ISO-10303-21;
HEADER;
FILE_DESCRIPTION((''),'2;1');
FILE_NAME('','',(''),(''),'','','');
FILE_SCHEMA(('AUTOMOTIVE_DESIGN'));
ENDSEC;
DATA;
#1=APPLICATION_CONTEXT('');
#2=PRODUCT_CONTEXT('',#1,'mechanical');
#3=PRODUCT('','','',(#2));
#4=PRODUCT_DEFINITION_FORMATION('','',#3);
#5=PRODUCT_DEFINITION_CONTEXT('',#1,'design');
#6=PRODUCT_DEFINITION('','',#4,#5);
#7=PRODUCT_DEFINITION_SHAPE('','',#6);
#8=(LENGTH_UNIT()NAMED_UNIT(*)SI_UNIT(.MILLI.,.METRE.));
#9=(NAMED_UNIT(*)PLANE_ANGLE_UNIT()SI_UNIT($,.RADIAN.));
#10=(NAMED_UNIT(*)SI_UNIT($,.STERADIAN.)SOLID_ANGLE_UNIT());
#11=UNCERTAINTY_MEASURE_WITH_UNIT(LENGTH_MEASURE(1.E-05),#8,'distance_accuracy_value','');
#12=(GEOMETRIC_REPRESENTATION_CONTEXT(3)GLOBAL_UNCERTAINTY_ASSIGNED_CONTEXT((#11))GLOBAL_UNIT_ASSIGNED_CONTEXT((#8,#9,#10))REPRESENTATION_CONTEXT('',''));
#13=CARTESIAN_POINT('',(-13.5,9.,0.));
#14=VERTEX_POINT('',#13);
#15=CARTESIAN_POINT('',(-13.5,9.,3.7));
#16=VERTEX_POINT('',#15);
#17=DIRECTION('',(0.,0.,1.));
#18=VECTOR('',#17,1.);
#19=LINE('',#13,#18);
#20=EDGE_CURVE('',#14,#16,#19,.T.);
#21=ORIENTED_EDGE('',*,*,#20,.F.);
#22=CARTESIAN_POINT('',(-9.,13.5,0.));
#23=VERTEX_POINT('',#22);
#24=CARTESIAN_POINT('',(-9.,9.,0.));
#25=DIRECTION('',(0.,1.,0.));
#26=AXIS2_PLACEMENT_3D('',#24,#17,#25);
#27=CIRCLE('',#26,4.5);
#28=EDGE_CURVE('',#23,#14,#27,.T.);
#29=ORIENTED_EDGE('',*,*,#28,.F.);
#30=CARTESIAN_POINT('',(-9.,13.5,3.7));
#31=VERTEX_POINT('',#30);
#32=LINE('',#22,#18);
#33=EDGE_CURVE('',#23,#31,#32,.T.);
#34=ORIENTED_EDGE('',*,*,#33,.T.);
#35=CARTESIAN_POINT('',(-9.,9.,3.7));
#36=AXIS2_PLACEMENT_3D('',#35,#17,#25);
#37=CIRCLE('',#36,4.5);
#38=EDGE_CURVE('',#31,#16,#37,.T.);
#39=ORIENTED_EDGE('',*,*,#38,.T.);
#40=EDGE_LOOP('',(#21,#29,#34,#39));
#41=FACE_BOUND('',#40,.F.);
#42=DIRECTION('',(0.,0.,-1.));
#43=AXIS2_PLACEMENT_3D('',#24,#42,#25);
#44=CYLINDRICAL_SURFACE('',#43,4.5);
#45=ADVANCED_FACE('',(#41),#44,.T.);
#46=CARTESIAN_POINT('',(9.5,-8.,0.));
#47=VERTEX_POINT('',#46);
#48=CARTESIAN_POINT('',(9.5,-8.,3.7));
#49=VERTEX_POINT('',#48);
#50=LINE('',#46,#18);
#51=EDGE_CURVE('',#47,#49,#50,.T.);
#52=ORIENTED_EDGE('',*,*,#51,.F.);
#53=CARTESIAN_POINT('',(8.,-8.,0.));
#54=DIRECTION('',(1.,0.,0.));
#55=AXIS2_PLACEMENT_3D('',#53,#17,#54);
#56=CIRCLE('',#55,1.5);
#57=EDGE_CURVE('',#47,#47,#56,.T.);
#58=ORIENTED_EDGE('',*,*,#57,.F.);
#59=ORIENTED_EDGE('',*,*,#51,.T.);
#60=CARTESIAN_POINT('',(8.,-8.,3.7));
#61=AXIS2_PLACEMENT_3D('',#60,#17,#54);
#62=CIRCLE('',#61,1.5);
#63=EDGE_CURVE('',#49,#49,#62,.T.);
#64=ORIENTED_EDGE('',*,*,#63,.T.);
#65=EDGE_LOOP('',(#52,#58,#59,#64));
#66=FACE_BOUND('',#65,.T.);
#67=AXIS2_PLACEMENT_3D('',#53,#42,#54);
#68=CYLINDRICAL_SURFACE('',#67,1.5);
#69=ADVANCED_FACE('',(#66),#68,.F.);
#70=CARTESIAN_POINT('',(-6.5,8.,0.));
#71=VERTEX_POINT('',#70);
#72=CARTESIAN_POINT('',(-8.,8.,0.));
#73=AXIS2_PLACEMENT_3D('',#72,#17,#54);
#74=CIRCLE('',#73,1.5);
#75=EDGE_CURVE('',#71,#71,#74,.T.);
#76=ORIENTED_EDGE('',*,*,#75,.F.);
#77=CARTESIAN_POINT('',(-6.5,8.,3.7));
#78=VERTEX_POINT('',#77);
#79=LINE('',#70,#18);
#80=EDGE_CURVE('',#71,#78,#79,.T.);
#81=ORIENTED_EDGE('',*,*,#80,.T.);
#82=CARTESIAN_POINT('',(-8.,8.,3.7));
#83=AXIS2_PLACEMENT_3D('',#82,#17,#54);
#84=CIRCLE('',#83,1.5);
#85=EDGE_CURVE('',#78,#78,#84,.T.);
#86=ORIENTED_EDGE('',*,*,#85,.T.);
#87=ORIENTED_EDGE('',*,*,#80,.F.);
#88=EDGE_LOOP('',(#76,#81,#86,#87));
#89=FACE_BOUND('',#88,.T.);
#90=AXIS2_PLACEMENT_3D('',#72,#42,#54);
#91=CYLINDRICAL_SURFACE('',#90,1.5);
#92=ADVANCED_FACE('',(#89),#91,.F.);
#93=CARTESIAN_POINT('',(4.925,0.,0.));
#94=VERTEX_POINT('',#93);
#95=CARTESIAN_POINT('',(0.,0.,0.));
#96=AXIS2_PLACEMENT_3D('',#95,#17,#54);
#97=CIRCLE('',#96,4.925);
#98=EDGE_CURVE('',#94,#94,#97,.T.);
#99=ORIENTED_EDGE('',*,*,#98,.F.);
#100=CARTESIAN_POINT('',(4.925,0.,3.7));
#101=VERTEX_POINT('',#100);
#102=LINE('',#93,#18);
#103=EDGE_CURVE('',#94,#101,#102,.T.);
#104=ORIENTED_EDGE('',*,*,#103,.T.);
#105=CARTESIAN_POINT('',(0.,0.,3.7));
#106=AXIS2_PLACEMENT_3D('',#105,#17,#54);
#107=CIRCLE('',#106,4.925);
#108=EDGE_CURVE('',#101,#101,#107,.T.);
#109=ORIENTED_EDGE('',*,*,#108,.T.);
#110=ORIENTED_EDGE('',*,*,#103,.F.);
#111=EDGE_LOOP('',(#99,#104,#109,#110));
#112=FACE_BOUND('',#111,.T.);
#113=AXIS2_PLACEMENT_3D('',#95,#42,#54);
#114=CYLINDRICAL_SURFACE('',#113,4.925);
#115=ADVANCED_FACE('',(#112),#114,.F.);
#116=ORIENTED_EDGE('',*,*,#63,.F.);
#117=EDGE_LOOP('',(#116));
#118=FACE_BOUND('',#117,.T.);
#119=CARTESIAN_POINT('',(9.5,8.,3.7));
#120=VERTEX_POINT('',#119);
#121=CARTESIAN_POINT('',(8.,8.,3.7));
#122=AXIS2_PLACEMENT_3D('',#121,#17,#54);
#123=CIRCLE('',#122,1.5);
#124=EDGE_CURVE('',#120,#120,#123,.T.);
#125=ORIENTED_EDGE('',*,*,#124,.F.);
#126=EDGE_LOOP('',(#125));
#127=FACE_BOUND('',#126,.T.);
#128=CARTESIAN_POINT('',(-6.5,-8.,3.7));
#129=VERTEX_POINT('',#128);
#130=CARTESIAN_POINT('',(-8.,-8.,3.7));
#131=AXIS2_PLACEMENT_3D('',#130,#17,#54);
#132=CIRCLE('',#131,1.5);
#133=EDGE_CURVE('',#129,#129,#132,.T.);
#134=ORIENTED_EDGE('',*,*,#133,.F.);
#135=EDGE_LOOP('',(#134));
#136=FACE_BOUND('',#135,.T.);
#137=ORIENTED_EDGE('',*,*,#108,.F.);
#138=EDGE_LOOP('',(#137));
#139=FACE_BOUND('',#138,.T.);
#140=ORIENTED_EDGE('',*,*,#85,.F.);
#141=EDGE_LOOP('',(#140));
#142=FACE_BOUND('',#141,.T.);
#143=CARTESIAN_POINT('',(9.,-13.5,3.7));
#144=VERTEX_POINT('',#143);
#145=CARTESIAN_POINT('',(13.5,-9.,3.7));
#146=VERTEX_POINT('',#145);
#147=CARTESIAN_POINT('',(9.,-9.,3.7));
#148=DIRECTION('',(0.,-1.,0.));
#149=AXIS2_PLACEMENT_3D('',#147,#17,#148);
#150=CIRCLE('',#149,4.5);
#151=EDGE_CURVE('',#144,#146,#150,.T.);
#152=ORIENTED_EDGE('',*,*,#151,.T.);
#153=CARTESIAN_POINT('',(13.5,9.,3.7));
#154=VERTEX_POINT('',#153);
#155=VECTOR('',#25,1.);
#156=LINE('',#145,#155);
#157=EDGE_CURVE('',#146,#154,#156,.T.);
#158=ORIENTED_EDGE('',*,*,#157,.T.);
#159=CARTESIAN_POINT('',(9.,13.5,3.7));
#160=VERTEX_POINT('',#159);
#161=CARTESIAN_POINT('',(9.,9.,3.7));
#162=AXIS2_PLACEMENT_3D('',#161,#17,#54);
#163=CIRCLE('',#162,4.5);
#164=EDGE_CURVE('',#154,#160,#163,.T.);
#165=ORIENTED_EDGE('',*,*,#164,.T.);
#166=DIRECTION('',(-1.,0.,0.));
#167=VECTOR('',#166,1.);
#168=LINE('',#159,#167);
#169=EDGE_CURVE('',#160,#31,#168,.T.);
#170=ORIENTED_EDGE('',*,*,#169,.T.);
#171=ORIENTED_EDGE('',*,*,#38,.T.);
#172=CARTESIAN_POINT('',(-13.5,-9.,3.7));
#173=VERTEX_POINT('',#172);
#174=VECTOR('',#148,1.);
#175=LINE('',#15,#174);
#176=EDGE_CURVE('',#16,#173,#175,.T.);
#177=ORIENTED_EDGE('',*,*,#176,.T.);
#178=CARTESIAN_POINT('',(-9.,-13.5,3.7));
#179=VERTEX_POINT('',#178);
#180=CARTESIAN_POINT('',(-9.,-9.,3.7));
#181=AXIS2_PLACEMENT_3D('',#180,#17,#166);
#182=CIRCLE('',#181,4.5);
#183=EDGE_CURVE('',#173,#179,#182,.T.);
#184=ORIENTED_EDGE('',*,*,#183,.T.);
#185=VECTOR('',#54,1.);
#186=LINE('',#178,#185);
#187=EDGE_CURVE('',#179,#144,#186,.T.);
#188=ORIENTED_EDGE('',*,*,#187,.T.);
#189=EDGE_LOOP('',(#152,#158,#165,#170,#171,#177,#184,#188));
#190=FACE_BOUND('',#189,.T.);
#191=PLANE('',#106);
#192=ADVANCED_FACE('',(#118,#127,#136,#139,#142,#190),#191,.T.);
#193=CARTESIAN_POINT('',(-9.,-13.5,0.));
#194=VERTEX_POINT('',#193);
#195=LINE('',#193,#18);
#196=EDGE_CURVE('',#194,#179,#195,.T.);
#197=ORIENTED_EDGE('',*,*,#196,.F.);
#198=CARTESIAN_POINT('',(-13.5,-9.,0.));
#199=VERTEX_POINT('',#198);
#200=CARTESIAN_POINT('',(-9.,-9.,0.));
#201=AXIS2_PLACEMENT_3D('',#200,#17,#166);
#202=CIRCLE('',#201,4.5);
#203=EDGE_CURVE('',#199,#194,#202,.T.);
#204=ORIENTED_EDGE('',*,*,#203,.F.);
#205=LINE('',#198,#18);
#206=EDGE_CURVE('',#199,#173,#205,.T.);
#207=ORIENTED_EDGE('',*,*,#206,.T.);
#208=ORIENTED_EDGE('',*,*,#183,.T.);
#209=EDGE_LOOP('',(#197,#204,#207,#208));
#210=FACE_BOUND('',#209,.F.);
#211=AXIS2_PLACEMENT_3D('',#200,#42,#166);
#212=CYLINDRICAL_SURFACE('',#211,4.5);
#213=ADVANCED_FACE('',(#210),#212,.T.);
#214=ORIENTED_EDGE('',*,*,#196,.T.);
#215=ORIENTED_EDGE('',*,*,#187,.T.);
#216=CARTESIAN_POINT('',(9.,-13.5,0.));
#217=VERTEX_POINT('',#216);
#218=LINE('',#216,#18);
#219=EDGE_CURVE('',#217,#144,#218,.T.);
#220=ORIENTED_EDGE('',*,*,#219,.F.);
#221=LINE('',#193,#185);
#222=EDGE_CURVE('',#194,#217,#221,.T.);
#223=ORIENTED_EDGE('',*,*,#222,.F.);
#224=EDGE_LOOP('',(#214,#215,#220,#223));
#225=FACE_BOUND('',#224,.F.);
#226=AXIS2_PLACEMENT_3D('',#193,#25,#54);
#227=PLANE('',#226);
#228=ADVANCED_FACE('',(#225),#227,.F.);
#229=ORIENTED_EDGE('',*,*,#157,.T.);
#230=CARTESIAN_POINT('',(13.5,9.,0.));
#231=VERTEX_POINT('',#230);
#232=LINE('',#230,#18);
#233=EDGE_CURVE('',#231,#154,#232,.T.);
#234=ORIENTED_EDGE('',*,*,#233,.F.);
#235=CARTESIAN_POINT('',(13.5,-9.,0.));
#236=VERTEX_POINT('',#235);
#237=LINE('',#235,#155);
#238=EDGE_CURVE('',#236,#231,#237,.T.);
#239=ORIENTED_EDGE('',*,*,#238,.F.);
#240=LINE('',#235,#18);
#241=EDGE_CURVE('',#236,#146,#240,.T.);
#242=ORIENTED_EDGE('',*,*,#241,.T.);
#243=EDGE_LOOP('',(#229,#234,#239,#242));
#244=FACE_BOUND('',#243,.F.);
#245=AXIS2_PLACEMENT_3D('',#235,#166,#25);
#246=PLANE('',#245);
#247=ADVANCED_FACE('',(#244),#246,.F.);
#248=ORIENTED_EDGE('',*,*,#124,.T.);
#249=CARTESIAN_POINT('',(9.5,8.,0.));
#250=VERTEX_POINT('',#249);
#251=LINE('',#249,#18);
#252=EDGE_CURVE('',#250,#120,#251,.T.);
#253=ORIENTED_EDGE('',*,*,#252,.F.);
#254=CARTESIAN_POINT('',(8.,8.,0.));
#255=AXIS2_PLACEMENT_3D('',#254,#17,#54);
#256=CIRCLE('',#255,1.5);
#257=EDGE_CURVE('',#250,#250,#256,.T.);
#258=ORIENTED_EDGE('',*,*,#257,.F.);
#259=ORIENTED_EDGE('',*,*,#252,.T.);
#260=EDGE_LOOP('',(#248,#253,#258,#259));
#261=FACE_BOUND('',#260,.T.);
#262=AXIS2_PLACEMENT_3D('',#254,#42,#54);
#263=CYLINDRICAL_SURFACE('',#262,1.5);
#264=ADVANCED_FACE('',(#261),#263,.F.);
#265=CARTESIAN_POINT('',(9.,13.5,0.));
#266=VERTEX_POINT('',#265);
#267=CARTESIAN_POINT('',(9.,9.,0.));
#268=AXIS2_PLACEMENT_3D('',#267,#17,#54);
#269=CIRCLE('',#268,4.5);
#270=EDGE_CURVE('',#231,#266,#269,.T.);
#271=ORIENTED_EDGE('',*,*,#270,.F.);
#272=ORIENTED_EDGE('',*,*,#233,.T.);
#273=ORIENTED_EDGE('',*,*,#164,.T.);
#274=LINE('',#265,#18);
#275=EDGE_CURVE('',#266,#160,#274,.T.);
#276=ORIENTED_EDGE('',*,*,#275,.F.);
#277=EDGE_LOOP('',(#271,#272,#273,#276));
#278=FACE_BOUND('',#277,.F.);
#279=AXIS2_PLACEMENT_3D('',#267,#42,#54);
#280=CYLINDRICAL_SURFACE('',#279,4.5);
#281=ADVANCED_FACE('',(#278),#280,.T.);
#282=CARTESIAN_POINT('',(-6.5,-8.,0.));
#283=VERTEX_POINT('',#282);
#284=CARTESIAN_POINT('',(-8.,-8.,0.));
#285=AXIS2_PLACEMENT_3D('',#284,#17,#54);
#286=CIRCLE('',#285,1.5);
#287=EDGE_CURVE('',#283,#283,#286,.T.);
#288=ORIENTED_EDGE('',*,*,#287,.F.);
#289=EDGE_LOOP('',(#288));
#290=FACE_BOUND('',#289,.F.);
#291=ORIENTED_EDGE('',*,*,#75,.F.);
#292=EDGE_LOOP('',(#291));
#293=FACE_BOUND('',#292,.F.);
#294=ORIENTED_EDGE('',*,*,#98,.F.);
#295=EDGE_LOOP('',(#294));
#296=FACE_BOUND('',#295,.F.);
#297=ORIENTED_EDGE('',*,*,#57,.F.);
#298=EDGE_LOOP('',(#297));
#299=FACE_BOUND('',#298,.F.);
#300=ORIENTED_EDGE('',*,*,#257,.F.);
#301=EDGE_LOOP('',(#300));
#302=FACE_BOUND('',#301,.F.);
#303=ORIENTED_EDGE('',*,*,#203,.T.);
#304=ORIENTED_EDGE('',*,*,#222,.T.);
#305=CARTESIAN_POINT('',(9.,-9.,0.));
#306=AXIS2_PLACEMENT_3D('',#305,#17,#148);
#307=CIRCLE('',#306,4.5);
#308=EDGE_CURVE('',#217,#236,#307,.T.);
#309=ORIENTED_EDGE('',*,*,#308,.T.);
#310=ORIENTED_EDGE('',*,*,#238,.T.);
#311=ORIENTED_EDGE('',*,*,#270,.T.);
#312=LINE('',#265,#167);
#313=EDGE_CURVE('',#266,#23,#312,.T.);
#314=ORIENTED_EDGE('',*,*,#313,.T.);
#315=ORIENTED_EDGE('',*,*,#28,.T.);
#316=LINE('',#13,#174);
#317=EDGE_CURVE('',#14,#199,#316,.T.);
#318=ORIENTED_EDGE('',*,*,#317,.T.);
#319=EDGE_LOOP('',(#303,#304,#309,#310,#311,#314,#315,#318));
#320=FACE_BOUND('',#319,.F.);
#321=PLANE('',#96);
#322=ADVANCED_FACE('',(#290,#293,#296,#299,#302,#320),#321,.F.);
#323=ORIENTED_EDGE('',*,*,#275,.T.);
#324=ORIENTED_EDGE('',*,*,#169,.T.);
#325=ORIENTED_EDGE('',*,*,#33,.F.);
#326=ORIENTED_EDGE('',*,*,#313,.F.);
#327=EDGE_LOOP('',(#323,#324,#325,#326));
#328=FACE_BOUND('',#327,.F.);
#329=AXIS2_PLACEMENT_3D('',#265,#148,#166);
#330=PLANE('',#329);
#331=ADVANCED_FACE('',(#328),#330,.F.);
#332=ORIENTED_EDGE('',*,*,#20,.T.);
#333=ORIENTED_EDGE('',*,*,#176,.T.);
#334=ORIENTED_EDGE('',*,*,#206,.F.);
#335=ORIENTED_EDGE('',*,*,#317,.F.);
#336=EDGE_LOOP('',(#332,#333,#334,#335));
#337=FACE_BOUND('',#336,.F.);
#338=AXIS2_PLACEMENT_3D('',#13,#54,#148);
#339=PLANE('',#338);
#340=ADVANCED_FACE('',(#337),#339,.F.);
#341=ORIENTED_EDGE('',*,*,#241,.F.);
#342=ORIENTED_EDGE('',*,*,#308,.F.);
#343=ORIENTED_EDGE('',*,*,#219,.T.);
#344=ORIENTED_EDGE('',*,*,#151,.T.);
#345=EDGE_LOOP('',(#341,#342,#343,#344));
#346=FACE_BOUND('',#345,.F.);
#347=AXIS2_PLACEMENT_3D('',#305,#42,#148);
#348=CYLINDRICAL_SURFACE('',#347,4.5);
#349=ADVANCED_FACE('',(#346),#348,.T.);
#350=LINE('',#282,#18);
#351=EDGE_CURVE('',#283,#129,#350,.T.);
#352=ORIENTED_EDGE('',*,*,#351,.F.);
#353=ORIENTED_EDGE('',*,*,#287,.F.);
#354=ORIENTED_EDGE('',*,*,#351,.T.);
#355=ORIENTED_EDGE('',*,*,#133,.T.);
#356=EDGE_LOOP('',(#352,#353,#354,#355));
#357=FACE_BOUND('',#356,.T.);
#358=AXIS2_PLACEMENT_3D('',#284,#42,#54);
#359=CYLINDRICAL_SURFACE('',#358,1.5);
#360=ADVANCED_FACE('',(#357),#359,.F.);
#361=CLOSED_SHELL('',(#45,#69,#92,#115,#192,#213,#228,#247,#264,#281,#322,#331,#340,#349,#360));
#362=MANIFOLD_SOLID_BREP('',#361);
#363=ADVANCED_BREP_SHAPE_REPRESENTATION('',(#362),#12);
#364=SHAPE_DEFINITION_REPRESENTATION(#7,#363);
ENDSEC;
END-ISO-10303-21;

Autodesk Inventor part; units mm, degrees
ref_plane "YZ Plane" through (0, 0, 0) normal (1, 0, 0) x (0, 1, 0)
ref_plane "XZ Plane" through (0, 0, 0) normal (0, 1, 0) x (-1, 0, 0)
ref_plane "XY Plane" through (0, 0, 0) normal (0, 0, 1) x (1, 0, 0)
sketch "Sketch1" plane through (0, 0, 0) normal (0, 0, 1) x (1, 0, 0)
  line L0 (-9, -13.5) -> (9, -13.5)
  line L1 (13.5, -9) -> (13.5, 9)
  line L2 (9, 13.5) -> (-9, 13.5)
  line L3 (-13.5, 9) -> (-13.5, -9)
  line L4 (-13.5, -13.5) -> (13.5, 13.5) construction
  line L5 (13.5, -13.5) -> (-13.5, 13.5) construction
  line L6 (-8, -8) -> (8, -8) construction
  line L7 (8, -8) -> (8, 8) construction
  line L8 (8, 8) -> (-8, 8) construction
  line L9 (-8, 8) -> (-8, -8) construction
  line L10 (-8, -8) -> (8, 8) construction
  line L11 (8, -8) -> (-8, 8) construction
  circle A0 centre (-8, 8) radius 1.5
  circle A1 centre (8, 8) radius 1.5
  circle A2 centre (-8, -8) radius 1.5
  circle A3 centre (8, -8) radius 1.5
  arc A4 (-9, 13.5) -> (-13.5, 9) centre (-9, 9) ccw
  arc A5 (-13.5, -9) -> (-9, -13.5) centre (-9, -9) ccw
  arc A6 (9, -13.5) -> (13.5, -9) centre (9, -9) ccw
  arc A7 (13.5, 9) -> (9, 13.5) centre (9, 9) ccw
  circle A8 centre (0, 0) radius 4.925
  dimension "d0" = 27
  dimension "d1" = 27
  dimension "d2" = 16
  dimension "d3" = 16
  dimension "d4" = 3
  dimension "d5" = 3
  dimension "d6" = 3
  dimension "d7" = 3
  dimension "d8" = 4.5
  dimension "d9" = 9.85
extrude "Extrusion1" add sketch "Sketch1" along normal blind 3.7
properties part number "Tope_rodamiento" material "PMMA Plastic"
